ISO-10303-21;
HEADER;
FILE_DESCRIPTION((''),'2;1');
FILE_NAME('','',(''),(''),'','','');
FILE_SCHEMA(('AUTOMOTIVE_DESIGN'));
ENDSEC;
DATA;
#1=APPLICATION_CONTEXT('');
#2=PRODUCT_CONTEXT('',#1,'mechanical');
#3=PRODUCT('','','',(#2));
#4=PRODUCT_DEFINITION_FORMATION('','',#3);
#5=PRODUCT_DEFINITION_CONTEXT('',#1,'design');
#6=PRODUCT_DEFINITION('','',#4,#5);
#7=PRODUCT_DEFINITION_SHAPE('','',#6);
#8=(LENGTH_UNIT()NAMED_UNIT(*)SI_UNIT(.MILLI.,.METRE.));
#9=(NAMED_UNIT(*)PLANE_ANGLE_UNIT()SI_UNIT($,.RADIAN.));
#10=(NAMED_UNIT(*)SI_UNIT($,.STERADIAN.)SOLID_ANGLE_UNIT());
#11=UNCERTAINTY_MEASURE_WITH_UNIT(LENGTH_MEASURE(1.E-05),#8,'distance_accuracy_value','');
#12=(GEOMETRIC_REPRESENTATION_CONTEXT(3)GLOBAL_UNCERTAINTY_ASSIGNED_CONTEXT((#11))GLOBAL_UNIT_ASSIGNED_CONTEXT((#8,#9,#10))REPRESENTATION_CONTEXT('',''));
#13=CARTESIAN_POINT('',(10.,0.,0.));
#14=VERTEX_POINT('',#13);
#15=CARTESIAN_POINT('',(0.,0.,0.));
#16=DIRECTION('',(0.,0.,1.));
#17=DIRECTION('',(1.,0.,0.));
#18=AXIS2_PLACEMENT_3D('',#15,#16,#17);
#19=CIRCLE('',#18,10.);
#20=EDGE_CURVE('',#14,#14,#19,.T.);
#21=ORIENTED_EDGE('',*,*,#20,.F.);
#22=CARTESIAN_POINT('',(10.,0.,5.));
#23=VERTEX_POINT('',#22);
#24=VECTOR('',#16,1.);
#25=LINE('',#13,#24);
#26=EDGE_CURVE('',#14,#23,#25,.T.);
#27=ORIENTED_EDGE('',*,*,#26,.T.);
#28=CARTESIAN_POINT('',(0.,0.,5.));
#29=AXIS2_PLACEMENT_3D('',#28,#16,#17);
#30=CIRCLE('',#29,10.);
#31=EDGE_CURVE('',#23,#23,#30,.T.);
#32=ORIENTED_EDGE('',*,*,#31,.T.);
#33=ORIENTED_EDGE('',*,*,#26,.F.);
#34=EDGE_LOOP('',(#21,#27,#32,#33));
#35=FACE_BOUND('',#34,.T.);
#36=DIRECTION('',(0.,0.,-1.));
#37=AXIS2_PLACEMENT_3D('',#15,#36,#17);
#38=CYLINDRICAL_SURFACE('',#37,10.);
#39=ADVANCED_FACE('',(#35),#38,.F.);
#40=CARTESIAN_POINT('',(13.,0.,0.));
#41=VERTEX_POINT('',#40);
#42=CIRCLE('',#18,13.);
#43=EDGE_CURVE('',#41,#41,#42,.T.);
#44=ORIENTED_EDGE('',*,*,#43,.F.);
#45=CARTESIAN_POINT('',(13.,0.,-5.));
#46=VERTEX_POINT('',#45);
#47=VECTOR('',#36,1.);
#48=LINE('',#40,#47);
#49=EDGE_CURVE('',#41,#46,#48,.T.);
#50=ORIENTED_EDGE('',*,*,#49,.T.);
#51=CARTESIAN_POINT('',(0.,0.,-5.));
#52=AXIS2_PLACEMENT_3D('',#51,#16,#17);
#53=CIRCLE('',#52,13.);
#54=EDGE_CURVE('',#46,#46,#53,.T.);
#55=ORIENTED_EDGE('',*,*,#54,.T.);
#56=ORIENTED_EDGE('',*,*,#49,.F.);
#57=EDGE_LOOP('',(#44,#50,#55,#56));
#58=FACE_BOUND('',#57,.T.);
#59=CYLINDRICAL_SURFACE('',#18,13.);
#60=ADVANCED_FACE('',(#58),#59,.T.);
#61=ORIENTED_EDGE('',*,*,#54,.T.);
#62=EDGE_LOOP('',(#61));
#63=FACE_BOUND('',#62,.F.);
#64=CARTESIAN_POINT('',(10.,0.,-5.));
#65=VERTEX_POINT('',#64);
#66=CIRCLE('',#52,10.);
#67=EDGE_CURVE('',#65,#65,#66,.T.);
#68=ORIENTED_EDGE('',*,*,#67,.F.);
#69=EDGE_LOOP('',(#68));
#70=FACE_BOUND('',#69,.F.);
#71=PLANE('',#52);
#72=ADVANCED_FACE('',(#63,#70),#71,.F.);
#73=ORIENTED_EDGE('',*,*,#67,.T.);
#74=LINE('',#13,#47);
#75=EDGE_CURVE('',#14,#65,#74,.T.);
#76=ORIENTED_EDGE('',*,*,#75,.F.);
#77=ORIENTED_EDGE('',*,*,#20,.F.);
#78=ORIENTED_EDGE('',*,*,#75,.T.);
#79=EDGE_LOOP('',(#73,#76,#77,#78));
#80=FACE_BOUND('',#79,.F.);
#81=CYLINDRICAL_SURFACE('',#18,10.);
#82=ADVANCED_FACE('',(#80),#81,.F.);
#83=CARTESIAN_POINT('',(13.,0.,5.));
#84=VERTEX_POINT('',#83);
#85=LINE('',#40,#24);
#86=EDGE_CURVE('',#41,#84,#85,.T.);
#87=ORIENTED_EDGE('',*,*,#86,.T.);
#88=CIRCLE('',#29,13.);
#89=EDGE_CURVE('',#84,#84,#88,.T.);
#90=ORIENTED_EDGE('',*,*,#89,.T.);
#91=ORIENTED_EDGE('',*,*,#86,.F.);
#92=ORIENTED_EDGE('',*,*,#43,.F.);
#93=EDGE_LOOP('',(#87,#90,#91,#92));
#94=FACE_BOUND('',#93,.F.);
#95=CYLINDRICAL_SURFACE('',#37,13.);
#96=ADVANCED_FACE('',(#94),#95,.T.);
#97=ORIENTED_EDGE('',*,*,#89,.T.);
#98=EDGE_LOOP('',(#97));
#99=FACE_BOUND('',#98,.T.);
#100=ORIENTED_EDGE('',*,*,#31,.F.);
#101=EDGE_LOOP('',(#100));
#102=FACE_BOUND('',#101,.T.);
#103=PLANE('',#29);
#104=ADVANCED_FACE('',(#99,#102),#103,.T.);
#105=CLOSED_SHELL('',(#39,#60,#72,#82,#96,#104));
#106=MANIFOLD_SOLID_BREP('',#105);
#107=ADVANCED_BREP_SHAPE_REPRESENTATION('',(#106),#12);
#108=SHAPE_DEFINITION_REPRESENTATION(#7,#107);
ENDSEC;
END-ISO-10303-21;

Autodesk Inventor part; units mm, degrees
ref_plane "YZ Plane" through (0, 0, 0) normal (1, 0, 0) x (0, 1, 0)
ref_plane "XZ Plane" through (0, 0, 0) normal (0, 1, 0) x (-1, 0, 0)
ref_plane "XY Plane" through (0, 0, 0) normal (0, 0, 1) x (1, 0, 0)
sketch "Sketch1" plane through (0, 0, 0) normal (0, 0, 1) x (1, 0, 0)
  circle A0 centre (0, 0) radius 10
  circle A1 centre (0, 0) radius 13
  dimension "d0" = 20
  dimension "d1" = 26
extrude "Extrusion1" add sketch "Sketch1" along normal mid plane 10
properties part number "Spacer1"
